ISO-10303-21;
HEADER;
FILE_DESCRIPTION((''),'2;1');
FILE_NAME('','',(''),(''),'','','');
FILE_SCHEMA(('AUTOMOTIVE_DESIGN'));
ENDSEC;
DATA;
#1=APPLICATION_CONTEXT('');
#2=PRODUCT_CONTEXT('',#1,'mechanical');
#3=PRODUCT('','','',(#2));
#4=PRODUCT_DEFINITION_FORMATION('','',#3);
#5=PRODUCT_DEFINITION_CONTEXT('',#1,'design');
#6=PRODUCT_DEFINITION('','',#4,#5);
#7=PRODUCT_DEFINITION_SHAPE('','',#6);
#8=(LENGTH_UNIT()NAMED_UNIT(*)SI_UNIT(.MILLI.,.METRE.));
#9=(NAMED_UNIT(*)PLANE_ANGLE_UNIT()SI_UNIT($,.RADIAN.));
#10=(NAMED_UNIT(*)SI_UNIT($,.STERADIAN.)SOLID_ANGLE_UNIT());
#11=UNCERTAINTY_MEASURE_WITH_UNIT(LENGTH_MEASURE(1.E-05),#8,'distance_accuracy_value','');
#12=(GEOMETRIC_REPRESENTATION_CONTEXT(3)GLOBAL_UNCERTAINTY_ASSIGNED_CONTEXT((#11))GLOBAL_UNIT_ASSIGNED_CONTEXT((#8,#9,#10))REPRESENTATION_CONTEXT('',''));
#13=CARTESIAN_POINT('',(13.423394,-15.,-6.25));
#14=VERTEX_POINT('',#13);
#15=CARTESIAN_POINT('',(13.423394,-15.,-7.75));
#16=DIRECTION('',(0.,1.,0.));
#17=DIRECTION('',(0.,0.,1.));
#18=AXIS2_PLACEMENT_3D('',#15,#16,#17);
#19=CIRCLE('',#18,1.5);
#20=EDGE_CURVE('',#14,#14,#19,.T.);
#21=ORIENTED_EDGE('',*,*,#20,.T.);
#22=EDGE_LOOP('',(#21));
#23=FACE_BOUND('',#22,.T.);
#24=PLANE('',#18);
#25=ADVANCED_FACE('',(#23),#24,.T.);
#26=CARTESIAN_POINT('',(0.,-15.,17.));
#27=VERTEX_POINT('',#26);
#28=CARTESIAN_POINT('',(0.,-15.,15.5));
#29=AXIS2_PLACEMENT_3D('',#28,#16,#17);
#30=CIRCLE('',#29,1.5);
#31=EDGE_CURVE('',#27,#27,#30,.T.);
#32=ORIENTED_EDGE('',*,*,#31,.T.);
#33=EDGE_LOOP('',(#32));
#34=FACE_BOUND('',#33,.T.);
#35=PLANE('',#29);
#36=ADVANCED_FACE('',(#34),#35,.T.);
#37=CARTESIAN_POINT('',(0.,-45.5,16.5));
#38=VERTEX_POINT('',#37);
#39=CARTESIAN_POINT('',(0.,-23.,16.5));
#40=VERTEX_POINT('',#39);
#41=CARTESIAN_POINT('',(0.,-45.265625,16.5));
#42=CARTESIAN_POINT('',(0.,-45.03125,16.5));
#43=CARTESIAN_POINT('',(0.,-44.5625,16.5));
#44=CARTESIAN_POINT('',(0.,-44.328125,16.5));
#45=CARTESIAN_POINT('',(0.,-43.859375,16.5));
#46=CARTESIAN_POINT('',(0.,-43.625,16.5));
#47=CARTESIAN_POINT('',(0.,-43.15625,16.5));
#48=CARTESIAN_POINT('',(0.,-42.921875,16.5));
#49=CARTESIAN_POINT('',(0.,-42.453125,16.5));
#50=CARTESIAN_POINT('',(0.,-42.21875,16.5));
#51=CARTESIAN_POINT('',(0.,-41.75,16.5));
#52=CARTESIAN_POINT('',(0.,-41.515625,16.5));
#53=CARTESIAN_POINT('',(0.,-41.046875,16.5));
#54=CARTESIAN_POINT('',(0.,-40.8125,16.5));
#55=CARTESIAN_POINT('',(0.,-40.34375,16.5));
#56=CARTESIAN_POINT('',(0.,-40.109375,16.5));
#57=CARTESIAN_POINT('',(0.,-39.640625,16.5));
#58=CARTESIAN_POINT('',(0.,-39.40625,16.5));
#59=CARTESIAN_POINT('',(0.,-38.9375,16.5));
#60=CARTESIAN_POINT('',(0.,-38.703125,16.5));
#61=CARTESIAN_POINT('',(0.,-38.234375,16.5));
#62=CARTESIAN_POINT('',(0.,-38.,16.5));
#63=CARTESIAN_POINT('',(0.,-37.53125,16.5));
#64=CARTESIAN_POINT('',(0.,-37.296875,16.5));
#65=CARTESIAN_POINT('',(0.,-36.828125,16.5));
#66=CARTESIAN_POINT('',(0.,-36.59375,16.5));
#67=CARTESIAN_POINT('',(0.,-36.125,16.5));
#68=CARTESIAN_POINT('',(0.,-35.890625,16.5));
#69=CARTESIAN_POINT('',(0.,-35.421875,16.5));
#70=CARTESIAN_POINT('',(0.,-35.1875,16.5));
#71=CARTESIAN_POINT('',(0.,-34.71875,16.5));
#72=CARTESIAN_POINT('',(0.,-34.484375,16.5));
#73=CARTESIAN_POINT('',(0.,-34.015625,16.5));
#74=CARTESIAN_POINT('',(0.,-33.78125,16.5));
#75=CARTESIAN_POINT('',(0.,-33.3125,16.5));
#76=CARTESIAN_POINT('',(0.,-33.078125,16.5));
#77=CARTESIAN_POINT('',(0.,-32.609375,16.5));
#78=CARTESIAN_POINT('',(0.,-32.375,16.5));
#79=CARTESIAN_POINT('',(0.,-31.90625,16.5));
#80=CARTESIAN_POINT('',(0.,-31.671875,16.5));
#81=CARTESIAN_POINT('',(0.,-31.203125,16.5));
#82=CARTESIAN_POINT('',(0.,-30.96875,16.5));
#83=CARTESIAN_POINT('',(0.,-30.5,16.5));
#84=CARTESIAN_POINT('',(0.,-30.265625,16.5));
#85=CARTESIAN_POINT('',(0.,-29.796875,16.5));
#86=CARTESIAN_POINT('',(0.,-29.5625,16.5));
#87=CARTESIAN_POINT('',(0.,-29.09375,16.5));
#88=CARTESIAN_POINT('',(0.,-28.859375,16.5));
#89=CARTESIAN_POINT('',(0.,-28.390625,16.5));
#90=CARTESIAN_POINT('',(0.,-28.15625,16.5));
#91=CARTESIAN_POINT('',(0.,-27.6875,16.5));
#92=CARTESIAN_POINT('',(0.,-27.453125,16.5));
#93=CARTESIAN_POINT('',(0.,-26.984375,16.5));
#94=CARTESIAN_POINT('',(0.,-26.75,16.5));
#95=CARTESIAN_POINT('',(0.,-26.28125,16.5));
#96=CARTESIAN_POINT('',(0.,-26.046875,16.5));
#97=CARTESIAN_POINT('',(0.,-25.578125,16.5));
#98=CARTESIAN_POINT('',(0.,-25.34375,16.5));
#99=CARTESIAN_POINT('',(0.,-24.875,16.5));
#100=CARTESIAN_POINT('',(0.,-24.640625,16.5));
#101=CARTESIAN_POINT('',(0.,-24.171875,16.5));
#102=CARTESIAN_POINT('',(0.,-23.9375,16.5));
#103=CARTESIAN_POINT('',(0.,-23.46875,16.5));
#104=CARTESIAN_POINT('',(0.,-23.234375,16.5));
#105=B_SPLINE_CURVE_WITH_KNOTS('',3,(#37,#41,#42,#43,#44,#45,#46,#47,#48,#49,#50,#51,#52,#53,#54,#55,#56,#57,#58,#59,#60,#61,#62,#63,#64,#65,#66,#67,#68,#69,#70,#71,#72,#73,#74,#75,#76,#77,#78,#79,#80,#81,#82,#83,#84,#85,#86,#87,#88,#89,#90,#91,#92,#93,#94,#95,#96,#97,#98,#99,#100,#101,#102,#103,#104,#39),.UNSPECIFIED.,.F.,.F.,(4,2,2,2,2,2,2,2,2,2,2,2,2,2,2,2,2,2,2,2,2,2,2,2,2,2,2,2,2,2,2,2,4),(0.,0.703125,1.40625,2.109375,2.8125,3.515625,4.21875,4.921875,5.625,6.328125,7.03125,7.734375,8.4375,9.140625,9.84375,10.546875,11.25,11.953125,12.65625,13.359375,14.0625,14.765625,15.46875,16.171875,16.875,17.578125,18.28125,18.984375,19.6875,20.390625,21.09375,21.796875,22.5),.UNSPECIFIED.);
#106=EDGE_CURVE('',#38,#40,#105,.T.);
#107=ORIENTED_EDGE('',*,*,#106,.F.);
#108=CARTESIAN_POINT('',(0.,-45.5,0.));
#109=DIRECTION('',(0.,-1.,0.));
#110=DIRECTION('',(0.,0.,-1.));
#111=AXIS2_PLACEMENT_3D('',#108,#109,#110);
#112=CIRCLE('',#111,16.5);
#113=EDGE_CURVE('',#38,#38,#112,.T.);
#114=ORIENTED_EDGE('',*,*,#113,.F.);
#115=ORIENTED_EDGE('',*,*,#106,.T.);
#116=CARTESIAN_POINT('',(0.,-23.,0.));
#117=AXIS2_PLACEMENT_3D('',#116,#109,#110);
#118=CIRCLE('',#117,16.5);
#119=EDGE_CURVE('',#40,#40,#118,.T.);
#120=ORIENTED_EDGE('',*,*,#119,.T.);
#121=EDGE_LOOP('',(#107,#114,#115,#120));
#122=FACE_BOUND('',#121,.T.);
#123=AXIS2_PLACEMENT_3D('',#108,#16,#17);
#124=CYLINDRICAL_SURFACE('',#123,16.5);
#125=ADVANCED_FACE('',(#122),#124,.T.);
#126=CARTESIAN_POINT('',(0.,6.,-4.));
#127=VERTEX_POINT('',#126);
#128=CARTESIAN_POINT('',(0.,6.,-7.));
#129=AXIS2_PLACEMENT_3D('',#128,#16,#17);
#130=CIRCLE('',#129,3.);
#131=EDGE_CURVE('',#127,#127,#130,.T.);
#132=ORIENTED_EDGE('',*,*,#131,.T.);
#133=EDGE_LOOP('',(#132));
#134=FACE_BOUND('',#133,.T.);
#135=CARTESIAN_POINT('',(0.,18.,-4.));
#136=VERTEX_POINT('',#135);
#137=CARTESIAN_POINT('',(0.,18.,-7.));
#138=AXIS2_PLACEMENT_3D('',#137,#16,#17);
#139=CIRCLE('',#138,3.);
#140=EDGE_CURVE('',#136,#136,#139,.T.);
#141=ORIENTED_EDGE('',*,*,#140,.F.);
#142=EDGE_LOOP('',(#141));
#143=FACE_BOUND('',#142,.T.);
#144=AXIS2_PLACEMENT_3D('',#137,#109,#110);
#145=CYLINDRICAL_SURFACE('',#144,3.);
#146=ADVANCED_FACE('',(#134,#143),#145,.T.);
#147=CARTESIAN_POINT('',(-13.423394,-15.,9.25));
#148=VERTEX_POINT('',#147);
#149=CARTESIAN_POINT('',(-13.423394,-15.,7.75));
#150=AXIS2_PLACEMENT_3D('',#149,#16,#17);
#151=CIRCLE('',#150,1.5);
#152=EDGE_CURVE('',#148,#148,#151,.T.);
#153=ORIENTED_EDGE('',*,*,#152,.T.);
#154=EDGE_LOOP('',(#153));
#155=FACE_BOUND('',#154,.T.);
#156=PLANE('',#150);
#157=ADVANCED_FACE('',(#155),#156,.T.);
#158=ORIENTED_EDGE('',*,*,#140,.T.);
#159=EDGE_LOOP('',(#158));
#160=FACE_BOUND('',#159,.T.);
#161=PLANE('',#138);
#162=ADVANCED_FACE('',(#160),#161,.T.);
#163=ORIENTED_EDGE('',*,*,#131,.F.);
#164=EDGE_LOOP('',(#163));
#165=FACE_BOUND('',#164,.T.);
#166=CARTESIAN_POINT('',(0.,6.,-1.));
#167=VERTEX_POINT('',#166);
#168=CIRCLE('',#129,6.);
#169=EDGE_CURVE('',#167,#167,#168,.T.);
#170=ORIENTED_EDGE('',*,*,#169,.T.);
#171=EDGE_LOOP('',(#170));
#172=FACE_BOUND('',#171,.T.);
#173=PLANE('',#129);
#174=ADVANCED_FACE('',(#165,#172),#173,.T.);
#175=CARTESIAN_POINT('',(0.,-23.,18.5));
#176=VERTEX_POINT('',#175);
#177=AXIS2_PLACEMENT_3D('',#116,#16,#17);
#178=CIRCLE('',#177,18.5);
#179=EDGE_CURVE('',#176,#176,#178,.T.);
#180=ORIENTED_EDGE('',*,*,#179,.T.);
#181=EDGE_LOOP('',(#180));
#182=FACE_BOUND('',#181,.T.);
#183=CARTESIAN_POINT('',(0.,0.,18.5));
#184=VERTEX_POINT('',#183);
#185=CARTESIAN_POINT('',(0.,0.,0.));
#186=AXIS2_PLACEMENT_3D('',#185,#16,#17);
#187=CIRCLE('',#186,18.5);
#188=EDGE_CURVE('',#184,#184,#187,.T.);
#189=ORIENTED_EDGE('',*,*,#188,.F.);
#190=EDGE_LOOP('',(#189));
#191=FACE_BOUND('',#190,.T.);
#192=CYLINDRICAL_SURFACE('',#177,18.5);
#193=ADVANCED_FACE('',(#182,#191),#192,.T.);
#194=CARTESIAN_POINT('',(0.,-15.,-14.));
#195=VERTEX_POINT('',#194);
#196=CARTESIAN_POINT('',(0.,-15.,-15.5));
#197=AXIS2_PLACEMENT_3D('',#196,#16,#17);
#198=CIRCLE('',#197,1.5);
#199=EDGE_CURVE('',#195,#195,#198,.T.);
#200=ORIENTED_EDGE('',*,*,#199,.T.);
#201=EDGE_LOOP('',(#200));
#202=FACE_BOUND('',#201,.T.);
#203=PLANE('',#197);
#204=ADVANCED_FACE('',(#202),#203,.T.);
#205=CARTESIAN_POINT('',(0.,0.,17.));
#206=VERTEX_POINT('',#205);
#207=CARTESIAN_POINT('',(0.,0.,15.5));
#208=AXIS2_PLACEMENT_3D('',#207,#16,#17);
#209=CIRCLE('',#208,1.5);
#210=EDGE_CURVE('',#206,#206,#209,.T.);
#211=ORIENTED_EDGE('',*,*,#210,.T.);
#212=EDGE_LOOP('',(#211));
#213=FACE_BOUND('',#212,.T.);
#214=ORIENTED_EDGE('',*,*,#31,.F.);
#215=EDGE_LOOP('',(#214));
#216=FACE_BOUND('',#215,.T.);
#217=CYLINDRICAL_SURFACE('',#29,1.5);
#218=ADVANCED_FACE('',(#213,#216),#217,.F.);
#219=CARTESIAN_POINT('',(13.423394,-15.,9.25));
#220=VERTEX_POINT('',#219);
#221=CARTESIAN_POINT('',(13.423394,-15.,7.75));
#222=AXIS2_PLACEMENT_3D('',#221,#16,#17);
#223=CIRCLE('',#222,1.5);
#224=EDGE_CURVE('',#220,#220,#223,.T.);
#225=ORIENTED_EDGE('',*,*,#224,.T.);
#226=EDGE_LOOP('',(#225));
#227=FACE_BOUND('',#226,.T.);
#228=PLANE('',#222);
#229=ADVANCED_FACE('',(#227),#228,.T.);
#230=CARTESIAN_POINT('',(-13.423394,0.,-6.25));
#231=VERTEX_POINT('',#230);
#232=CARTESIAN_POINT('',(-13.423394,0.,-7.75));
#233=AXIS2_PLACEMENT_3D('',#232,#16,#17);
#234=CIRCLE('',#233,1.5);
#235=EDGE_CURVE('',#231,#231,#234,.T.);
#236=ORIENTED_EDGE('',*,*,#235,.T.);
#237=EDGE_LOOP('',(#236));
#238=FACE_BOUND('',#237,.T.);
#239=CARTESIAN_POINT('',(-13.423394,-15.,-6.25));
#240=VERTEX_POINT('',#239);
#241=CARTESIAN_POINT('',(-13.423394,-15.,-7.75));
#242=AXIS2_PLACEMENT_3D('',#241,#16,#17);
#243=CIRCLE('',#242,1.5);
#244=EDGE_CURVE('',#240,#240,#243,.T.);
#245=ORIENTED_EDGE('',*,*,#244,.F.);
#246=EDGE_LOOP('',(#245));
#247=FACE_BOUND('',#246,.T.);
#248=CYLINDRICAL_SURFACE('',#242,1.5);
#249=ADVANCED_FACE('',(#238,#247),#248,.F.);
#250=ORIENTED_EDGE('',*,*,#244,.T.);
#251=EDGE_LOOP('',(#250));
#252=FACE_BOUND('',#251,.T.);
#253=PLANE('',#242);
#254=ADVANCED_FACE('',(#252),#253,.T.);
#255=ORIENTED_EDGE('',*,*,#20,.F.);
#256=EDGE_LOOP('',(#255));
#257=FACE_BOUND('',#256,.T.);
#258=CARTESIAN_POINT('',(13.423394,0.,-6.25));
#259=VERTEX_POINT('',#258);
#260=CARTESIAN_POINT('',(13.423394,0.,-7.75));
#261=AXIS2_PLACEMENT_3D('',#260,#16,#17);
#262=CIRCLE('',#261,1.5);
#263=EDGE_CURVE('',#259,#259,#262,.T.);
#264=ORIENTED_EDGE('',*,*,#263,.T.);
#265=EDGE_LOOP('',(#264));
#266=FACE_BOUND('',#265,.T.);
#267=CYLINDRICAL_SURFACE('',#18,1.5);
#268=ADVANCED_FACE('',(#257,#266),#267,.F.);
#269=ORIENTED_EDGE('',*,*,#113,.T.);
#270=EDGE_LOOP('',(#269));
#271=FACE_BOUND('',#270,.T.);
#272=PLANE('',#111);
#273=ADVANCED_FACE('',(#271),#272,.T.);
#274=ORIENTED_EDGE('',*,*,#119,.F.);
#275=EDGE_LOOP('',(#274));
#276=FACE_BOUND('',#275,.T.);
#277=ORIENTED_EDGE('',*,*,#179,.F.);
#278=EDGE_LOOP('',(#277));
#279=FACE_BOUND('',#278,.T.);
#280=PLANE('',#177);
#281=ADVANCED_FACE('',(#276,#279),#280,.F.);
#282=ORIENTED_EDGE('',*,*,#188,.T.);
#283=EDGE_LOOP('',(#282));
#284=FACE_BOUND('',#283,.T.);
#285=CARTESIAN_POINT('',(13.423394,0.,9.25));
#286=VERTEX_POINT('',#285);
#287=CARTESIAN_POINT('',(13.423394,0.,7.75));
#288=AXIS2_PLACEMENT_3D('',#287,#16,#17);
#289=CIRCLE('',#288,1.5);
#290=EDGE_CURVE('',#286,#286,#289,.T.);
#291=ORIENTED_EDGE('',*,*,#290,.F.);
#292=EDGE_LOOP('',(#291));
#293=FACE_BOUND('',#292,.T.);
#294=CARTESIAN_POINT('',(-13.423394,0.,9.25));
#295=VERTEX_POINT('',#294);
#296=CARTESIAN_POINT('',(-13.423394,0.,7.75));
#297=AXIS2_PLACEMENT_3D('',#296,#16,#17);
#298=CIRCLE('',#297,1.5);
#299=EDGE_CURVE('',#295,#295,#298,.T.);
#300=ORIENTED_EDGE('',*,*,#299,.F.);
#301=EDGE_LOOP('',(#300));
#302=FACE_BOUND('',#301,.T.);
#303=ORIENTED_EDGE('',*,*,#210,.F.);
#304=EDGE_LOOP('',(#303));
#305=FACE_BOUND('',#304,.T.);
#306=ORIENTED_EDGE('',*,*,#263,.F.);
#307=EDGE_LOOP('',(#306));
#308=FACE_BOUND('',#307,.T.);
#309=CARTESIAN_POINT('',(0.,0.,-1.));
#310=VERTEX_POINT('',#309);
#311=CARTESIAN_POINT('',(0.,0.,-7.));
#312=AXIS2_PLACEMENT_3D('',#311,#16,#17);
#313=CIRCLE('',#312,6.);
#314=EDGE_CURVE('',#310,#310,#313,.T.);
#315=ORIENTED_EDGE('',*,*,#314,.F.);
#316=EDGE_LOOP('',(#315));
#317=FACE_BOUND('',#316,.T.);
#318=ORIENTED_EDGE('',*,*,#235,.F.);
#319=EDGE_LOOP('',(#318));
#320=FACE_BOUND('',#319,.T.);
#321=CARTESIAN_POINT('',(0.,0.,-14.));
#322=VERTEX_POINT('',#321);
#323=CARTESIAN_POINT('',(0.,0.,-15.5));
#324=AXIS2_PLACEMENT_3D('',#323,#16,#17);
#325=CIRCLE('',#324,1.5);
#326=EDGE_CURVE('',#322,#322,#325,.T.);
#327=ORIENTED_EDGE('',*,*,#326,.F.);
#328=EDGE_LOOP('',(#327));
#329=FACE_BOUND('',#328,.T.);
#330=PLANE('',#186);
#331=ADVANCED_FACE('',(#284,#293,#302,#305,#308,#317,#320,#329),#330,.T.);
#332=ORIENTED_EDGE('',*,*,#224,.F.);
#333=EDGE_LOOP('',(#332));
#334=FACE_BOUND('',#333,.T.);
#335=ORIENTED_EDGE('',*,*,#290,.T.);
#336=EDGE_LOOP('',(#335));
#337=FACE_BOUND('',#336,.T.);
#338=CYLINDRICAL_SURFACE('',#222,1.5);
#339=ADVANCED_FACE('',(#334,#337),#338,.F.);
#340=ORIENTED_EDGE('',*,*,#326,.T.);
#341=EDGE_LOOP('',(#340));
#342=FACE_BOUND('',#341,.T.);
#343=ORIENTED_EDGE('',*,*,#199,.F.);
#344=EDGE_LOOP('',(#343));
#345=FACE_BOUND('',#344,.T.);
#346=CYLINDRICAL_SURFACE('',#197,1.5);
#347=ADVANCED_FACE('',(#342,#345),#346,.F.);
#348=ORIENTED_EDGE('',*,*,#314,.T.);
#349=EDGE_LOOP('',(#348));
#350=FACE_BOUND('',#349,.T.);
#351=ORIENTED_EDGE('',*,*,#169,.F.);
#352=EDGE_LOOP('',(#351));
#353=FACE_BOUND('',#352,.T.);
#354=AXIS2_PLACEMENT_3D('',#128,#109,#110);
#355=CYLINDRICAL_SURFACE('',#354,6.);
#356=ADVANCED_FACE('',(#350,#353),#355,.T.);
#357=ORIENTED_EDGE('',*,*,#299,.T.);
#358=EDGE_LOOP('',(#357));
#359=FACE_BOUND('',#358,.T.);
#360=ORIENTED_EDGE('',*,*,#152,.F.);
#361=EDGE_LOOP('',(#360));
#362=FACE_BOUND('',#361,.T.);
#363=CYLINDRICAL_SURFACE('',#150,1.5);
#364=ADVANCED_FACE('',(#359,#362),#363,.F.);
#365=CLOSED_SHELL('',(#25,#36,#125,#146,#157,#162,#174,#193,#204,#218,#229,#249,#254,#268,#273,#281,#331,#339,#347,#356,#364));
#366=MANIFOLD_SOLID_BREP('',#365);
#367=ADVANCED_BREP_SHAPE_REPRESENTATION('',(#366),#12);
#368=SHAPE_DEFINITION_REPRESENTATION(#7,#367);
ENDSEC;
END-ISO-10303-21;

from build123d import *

# Parameters (mm, degrees)
SKETCH_1_R          = 18.5
EXTRUDE_1_DEPTH     = 23
SKETCH_3_R          = 16.5
EXTRUDE_2_DEPTH     = 22.5
SKETCH_4_R          = 1.5
CUT_EXTRUDE_1_DEPTH = 15
SKETCH_5_R          = 6
EXTRUDE_3_DEPTH     = 6
SKETCH_6_R          = 3
EXTRUDE_4_DEPTH     = 12


with BuildPart() as part:
    # 草图1 → 凸台-拉伸1 (new body)
    with BuildSketch(Plane(origin=(0, 0, 0), x_dir=(1, 0, 0), z_dir=(0, 1, 0))):
        with Locations(Location((0, 0, 0), (0, 0, 270))):
            Circle(SKETCH_1_R)
    extrude(amount=-EXTRUDE_1_DEPTH)

    # 草图3 → 凸台-拉伸2 (add)
    with BuildSketch(Plane.XZ.offset(23)):
        with Locations(Location((0, 0, 0), (0, 0, 90))):
            Circle(SKETCH_3_R)
    extrude(amount=EXTRUDE_2_DEPTH)

    # 草图4 → 切除-拉伸1 (cut)
    with BuildSketch(Plane(origin=(0, 0, 0), x_dir=(1, 0, 0), z_dir=(0, 1, 0))):
        with Locations(Location((0, 15.5, 0), (0, 0, 270))):
            Circle(SKETCH_4_R)
        with Locations(Location((13.423393759, 7.75, 0), (0, 0, 270))):
            Circle(SKETCH_4_R)
        with Locations(Location((13.423393759, -7.75, 0), (0, 0, 270))):
            Circle(SKETCH_4_R)
        with Locations(Location((0, -15.5, 0), (0, 0, 270))):
            Circle(SKETCH_4_R)
        with Locations(Location((-13.423393759, -7.75, 0), (0, 0, 270))):
            Circle(SKETCH_4_R)
        with Locations(Location((-13.423393759, 7.75, 0), (0, 0, 270))):
            Circle(SKETCH_4_R)
    extrude(amount=-CUT_EXTRUDE_1_DEPTH, mode=Mode.SUBTRACT)

    # 草图5 → 凸台-拉伸3 (add)
    with BuildSketch(Plane(origin=(0, 0, 0), x_dir=(1, 0, 0), z_dir=(0, 1, 0))):
        with Locations(Location((0, 7, 0), (0, 0, 270))):
            Circle(SKETCH_5_R)
    extrude(amount=EXTRUDE_3_DEPTH)

    # 草图6 → 凸台-拉伸4 (add)
    with BuildSketch(Plane(origin=(0, 6, 0), x_dir=(1, 0, 0), z_dir=(0, 1, 0))):
        with Locations(Location((0, 7, 0), (0, 0, 270))):
            Circle(SKETCH_6_R)
    extrude(amount=EXTRUDE_4_DEPTH)


solid = part.part
